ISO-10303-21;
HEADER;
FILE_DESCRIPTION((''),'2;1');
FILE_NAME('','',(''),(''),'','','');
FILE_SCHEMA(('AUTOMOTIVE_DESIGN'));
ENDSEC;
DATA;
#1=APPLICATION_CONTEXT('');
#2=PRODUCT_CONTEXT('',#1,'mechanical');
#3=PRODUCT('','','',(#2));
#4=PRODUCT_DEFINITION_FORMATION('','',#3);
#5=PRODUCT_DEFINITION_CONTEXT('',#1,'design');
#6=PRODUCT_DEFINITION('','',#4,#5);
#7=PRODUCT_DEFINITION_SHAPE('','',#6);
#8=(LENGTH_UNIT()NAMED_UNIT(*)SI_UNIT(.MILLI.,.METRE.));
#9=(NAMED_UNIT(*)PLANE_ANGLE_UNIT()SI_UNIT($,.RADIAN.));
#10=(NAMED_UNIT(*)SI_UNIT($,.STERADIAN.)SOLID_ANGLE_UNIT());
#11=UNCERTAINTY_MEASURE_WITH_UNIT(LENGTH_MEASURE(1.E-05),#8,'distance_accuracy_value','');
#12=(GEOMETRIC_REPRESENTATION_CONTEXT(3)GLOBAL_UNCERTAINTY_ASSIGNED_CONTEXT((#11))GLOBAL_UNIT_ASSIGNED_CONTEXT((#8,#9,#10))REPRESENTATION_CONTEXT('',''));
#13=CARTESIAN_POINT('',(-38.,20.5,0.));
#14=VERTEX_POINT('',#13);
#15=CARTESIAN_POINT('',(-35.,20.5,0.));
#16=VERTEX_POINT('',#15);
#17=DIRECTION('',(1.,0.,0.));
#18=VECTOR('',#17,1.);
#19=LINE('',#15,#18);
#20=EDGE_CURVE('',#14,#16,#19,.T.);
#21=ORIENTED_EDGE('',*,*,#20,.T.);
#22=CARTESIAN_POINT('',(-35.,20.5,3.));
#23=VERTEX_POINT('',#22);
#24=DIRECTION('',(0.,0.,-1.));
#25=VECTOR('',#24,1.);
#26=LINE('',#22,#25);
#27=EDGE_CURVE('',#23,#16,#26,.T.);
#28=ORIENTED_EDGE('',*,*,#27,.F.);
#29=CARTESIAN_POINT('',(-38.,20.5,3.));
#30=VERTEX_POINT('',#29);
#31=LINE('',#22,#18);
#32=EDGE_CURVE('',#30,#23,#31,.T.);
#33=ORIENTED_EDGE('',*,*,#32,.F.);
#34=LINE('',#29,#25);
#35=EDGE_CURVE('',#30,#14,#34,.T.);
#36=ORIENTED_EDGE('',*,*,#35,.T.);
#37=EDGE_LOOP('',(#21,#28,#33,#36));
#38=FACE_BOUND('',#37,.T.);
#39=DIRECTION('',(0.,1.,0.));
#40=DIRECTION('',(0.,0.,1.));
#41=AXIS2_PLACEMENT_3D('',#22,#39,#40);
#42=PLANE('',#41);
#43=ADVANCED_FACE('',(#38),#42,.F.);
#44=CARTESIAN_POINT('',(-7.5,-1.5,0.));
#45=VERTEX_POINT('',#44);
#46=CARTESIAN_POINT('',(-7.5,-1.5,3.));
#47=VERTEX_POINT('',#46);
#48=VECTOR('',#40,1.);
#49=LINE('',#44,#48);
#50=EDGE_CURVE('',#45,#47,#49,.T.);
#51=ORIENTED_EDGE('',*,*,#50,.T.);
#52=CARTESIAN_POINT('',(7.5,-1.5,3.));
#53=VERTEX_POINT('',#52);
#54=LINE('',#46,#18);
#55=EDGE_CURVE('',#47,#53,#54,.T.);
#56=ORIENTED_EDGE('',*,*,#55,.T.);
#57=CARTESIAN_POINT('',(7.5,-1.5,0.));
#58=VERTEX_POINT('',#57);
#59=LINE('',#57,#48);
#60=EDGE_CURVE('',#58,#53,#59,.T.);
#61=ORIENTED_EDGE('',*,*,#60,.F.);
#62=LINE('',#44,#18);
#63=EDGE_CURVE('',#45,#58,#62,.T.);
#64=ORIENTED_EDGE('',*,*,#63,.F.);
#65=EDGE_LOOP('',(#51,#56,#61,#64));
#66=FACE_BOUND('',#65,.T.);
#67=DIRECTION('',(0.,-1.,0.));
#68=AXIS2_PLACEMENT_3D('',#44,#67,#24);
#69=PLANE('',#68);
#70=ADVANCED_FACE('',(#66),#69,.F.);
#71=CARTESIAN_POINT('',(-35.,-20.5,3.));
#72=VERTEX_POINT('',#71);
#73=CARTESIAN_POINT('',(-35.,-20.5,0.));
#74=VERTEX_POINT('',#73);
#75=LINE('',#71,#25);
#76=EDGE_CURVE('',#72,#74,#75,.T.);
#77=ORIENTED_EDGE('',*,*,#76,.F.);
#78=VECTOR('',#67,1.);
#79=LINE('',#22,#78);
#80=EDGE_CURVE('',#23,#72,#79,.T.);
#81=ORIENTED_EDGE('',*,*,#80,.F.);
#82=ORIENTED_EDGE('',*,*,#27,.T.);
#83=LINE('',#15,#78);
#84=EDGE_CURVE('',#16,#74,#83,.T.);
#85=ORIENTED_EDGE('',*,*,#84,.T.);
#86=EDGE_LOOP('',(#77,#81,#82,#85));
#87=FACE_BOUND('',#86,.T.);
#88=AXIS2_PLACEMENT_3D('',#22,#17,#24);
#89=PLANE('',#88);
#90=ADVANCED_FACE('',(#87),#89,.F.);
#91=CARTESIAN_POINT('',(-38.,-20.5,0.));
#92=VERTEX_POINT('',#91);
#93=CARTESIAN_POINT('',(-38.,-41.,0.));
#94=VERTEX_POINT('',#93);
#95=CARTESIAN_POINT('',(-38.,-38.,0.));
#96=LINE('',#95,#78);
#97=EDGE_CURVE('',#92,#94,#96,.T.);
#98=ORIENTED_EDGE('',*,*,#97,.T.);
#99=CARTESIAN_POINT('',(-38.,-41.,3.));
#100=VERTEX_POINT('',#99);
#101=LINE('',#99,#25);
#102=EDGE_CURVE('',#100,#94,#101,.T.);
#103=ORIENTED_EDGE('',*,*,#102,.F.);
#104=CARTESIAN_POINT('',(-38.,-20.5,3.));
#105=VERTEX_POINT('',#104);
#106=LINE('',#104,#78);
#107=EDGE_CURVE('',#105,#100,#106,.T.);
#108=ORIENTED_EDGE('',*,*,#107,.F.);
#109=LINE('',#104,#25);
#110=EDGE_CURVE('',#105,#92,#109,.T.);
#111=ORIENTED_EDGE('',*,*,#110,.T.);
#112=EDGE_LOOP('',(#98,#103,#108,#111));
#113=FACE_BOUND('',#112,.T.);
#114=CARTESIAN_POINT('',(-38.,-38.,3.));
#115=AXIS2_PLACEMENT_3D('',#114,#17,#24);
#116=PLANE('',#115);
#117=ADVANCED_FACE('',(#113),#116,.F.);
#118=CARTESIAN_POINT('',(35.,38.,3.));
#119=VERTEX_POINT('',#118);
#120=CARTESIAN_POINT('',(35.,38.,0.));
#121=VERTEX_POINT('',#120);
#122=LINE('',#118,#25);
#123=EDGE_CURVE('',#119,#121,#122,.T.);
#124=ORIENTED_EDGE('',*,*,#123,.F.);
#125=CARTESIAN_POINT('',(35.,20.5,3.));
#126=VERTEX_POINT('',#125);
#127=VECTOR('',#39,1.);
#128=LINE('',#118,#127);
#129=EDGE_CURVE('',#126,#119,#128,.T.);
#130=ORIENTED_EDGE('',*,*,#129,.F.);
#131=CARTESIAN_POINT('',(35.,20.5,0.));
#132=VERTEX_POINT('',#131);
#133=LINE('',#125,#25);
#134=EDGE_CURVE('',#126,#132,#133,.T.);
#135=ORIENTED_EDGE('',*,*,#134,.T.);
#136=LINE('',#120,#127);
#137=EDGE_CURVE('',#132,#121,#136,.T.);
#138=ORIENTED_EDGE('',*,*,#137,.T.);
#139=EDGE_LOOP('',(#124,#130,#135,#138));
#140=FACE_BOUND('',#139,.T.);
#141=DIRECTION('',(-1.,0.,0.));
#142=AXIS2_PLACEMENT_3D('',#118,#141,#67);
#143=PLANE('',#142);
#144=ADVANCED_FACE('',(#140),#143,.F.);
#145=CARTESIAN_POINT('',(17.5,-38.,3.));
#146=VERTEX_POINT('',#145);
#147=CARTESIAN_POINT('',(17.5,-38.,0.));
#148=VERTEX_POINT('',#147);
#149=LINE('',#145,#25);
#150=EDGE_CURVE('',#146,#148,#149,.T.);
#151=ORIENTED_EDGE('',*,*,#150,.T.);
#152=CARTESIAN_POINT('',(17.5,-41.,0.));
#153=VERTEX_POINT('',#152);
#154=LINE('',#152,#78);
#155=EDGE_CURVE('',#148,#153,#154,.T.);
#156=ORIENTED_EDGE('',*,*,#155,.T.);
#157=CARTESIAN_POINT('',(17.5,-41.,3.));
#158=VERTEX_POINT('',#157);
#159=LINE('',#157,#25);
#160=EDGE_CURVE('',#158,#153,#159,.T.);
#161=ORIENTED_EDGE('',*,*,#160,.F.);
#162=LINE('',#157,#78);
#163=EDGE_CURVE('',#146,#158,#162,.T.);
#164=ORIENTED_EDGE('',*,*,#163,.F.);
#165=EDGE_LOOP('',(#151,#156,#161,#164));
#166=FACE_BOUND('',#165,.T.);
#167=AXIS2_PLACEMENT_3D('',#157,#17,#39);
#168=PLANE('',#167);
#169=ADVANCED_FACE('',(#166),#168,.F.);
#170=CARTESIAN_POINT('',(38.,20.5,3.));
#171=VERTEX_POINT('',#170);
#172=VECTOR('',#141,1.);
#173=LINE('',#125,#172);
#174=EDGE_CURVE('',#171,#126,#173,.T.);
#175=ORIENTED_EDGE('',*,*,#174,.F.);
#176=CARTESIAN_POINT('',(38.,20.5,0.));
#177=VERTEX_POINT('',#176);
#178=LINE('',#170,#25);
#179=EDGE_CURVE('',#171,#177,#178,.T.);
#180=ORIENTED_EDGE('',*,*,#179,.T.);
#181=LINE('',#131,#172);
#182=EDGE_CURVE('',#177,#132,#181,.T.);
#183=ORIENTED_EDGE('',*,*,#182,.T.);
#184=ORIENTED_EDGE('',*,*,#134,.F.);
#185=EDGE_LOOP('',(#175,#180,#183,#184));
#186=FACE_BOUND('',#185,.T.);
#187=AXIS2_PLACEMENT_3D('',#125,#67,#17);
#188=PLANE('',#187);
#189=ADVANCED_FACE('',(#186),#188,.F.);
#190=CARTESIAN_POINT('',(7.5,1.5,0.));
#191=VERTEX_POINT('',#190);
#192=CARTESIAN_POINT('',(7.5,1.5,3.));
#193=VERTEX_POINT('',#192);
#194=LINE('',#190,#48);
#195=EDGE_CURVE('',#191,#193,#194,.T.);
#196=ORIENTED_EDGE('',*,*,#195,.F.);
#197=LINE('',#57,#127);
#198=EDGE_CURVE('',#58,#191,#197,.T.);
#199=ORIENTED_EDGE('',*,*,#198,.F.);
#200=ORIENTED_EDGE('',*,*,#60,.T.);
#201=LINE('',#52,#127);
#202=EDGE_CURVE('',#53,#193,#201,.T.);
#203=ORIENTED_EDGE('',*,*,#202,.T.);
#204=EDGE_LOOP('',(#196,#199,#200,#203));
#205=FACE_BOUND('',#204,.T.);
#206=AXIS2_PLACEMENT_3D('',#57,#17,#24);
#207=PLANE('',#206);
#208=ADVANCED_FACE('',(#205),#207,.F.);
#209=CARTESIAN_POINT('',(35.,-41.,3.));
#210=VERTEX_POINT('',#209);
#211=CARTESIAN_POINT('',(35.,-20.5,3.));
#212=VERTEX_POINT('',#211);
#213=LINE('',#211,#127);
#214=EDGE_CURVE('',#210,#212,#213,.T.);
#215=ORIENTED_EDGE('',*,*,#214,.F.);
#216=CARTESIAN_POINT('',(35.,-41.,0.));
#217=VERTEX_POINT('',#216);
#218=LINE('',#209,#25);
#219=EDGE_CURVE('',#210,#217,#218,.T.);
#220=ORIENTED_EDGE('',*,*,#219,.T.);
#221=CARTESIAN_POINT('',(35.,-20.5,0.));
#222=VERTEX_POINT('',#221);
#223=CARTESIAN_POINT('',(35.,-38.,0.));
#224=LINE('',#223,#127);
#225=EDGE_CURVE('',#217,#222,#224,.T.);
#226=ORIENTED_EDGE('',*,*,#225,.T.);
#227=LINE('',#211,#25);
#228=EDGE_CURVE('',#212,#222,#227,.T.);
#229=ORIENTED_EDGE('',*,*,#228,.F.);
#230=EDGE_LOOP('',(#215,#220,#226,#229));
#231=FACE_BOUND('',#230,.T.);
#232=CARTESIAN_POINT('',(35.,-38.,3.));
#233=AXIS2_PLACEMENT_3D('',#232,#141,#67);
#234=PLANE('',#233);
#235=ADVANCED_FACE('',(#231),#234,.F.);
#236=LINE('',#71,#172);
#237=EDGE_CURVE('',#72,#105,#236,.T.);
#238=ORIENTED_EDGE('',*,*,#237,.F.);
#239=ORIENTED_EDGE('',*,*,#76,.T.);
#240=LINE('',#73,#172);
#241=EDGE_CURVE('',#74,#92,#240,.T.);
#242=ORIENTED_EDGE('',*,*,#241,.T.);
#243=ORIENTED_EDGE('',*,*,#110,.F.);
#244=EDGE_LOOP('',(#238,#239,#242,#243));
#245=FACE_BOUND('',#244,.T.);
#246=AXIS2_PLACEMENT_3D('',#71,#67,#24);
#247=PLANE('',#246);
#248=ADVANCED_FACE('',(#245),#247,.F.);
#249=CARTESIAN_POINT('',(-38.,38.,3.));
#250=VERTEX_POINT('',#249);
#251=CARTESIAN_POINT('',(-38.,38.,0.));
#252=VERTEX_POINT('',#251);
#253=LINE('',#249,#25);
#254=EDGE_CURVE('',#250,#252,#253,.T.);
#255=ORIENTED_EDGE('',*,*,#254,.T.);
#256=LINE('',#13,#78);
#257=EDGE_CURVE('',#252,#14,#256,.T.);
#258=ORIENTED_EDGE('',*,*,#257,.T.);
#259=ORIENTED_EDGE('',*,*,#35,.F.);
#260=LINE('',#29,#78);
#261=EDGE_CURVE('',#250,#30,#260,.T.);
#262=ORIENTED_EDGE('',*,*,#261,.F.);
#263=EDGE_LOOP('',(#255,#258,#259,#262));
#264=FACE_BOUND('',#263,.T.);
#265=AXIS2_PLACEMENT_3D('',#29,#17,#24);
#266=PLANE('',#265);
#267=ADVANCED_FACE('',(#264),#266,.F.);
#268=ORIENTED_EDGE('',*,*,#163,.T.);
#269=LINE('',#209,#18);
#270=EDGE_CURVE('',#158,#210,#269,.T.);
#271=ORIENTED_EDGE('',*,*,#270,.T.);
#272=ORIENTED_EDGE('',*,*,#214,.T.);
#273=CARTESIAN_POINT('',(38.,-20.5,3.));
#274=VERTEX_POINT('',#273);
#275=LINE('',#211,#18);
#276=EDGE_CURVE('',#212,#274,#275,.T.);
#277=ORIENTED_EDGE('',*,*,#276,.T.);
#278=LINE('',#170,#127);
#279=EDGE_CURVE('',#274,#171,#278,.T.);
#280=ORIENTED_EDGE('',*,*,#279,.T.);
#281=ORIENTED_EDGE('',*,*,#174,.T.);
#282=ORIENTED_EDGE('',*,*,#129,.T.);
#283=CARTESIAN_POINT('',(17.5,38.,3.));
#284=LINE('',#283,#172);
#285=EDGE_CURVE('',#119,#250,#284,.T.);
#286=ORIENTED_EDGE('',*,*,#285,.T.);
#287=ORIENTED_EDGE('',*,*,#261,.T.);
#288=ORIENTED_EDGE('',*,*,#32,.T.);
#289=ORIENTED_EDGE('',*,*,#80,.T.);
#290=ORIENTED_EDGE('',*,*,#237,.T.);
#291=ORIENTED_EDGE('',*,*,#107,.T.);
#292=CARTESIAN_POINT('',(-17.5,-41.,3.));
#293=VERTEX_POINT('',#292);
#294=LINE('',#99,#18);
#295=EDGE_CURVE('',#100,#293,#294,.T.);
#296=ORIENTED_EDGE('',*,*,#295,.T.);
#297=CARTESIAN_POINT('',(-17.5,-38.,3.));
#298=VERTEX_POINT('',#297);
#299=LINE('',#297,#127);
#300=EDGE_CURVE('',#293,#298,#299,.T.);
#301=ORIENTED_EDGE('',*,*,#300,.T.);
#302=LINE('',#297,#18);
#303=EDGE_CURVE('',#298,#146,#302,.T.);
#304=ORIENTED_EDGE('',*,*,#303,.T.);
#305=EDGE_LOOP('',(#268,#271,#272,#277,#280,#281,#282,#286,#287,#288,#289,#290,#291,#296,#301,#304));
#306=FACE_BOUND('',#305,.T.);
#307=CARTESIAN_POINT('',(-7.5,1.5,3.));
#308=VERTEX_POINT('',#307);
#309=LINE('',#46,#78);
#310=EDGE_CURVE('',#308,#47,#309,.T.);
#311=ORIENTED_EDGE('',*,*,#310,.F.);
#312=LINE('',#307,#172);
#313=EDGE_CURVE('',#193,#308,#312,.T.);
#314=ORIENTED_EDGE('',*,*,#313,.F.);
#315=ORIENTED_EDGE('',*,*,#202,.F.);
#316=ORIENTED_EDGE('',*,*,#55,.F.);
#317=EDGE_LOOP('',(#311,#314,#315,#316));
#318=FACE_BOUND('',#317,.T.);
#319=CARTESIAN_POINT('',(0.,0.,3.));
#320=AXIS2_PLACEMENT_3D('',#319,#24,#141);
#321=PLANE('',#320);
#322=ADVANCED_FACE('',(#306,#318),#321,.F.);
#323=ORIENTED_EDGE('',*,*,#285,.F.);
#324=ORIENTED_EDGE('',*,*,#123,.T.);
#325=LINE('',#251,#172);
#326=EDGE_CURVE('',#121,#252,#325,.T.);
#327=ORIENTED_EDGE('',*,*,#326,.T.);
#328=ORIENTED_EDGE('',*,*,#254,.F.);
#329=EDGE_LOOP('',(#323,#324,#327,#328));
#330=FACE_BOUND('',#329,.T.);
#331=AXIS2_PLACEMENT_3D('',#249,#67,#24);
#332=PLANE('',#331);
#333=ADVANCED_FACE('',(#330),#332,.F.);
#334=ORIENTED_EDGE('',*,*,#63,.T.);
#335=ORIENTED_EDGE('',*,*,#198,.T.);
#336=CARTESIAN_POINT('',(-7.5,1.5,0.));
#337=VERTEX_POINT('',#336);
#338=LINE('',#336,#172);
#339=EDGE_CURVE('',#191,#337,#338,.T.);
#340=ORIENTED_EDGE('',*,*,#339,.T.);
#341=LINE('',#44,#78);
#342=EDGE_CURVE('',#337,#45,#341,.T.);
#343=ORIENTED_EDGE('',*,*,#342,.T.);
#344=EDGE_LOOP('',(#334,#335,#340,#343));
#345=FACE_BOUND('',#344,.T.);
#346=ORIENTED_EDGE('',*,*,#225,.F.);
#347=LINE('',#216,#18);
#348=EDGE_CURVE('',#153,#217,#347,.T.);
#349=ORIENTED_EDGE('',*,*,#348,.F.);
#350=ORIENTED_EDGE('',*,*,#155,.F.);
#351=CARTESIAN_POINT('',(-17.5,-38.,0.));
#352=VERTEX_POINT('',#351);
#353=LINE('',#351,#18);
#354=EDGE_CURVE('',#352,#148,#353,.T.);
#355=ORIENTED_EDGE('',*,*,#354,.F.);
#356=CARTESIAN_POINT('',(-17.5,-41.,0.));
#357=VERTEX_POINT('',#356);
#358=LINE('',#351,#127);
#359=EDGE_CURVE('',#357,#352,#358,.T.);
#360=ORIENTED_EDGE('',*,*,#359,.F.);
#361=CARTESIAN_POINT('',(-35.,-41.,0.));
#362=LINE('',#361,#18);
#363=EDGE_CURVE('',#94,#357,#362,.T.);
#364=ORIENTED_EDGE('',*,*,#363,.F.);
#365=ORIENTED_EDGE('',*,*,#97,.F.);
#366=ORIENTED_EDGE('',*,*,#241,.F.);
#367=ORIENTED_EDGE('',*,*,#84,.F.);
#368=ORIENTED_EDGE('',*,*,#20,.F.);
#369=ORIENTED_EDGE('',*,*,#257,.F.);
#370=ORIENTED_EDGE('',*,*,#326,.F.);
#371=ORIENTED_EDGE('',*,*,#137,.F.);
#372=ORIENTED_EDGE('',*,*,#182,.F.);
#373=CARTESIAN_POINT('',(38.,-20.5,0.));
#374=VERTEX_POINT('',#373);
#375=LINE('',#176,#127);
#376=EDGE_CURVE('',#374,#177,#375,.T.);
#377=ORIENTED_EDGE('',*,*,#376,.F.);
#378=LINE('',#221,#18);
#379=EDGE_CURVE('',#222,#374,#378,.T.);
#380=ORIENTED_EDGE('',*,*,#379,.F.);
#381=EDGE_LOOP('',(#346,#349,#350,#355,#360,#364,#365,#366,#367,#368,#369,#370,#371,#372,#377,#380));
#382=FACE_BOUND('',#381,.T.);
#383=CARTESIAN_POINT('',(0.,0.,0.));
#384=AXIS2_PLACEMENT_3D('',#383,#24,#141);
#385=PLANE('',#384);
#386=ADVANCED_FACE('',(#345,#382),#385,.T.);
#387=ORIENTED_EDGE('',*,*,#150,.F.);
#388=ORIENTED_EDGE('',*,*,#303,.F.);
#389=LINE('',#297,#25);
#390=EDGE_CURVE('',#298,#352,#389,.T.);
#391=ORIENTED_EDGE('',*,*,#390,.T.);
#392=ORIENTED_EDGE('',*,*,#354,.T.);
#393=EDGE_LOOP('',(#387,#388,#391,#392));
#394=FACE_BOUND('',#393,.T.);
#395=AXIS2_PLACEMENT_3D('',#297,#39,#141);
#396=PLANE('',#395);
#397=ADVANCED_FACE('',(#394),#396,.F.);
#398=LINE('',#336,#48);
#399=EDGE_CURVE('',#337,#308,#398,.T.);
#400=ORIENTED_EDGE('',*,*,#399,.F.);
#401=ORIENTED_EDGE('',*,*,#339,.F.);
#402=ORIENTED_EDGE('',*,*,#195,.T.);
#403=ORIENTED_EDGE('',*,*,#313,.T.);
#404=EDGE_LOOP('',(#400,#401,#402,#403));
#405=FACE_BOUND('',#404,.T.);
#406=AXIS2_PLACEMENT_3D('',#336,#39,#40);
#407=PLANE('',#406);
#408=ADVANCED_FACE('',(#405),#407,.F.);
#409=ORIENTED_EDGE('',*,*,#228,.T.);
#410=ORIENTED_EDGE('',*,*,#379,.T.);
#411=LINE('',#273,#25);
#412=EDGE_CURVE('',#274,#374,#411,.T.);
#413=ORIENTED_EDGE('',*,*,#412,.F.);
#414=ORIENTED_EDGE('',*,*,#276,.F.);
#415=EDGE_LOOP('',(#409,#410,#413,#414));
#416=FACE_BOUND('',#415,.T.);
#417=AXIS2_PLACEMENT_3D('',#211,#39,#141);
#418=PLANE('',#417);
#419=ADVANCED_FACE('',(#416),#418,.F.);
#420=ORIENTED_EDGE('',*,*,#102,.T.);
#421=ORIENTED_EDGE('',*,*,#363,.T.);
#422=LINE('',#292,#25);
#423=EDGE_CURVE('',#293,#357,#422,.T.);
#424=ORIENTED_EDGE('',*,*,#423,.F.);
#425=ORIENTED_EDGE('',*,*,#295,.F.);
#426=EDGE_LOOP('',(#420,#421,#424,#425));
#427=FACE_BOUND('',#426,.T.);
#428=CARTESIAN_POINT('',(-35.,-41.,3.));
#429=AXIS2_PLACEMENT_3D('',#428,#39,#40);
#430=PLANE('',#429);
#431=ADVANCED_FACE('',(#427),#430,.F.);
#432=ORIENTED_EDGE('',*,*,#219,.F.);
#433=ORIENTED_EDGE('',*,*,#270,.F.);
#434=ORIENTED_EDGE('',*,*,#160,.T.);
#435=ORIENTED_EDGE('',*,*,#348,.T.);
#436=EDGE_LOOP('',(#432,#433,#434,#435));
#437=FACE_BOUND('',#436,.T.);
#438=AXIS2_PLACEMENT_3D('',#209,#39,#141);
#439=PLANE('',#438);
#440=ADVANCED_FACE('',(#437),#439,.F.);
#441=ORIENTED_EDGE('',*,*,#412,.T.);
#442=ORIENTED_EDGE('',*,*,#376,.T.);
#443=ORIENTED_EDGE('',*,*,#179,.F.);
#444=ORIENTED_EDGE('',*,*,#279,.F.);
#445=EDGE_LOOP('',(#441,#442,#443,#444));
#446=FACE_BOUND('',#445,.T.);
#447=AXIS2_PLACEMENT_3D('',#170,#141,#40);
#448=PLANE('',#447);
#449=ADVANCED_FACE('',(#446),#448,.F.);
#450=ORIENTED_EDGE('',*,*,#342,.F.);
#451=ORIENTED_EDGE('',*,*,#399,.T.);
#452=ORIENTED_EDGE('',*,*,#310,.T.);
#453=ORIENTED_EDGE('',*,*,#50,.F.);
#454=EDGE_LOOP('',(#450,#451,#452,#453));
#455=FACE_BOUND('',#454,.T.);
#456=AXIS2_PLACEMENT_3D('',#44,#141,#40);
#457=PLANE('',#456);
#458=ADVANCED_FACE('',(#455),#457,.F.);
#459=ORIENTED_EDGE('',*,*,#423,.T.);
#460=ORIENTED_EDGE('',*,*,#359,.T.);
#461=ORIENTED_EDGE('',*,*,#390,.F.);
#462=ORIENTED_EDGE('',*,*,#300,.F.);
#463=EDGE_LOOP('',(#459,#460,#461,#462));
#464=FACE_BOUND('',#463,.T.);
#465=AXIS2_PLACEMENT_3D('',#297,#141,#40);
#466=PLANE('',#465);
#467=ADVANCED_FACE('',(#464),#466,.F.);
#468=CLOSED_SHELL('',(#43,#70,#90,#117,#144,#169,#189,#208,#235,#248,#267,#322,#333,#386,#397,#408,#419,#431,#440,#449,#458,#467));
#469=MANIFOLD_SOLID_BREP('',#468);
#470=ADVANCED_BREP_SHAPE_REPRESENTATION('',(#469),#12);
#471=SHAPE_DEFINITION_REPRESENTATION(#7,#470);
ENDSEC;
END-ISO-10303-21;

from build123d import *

# Parameters (mm, degrees)
BOSS_EXTRUDE1_DEPTH = 3
SKETCH2_W           = 15
SKETCH2_H           = 3
CUT_EXTRUDE1_DEPTH  = 3


with BuildPart() as part:
    # Sketch1 → Boss-Extrude1 (new body)
    with BuildSketch(Plane.XY):
        Polygon((-35, 38), (-17.5, 38), (17.5, 38), (35, 38), (35, 20.5), (38, 20.5), (38, -20.5), (35, -20.5), (35, -38), (35, -41), (17.5, -41), (17.5, -38), (-17.5, -38), (-17.5, -41), (-35, -41), (-38, -41), (-38, -38), (-38, -20.5), (-35, -20.5), (-35, 20.5), (-38, 20.5), (-38, 38), align=None)
    extrude(amount=BOSS_EXTRUDE1_DEPTH)

    # Sketch2 → Cut-Extrude1 (cut)
    with BuildSketch(Plane.XY.offset(3)):
        Rectangle(SKETCH2_W, SKETCH2_H)
    extrude(amount=-CUT_EXTRUDE1_DEPTH, mode=Mode.SUBTRACT)


solid = part.part
